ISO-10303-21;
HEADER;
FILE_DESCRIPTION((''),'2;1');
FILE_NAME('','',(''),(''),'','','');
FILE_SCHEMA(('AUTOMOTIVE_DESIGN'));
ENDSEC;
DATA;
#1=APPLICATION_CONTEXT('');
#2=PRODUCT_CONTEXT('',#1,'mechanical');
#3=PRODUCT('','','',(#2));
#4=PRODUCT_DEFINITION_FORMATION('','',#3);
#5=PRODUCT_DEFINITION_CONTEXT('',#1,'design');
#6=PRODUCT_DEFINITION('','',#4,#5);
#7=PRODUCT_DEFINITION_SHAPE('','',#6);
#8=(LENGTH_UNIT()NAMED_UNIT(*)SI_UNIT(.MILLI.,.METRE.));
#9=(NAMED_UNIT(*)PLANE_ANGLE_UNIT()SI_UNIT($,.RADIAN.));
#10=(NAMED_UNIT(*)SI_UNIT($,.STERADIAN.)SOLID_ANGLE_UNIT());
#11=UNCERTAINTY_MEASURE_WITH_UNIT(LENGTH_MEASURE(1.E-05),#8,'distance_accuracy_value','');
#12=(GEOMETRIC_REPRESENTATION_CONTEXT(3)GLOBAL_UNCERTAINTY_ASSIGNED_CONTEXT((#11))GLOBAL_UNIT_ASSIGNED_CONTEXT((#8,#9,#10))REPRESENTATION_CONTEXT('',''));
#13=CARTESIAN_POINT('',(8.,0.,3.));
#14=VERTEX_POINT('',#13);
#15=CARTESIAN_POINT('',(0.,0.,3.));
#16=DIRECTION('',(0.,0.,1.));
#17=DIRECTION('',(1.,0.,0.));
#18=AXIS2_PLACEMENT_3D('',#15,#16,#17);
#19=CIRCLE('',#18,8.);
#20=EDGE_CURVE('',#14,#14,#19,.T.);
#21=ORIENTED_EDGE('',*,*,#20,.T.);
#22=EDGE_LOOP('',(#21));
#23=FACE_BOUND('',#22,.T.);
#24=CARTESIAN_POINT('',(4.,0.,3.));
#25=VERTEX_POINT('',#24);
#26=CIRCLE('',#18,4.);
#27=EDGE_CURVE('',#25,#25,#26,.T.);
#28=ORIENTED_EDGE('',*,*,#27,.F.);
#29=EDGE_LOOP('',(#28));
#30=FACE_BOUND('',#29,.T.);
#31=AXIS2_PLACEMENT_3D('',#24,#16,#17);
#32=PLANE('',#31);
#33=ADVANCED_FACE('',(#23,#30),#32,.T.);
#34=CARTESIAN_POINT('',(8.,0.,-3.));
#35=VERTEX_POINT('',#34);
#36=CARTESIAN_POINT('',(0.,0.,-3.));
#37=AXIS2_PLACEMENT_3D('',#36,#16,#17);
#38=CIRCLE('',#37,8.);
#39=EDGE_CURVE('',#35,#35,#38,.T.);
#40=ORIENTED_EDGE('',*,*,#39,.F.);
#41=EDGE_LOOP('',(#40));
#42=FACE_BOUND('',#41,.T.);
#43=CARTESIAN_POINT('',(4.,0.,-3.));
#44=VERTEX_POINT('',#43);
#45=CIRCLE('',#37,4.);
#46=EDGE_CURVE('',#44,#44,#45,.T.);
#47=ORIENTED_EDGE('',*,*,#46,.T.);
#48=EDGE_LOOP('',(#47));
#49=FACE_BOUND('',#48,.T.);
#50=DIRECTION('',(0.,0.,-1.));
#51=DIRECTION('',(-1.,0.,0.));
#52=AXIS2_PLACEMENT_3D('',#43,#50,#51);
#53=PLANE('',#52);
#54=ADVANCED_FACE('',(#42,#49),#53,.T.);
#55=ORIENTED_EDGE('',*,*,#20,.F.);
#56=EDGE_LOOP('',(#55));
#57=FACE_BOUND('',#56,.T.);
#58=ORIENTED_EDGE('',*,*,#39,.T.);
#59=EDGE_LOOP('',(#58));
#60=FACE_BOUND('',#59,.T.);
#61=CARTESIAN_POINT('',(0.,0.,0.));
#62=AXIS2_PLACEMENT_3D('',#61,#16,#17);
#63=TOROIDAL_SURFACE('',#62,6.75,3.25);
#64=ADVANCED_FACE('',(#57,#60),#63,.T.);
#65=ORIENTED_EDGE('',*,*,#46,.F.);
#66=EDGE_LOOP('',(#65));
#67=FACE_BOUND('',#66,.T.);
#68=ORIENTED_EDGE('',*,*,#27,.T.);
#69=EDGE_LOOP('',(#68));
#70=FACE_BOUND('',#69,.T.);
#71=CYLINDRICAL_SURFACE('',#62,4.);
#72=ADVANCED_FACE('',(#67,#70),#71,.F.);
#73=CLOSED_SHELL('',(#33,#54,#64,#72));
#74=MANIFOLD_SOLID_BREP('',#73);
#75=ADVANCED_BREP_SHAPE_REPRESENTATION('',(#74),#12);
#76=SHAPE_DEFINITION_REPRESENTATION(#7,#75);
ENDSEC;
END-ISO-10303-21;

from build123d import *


with BuildPart() as part:
    # 草图1 → 旋转1 (revolve)
    with BuildSketch(Plane(origin=(0, 0, 0), x_dir=(1, 0, 0), z_dir=(0, 1, 0))):
        with BuildLine():
            Line((4, 3), (8, 3))
            ThreePointArc((8, 3), (10, 0), (8, -3))
            Line((8, -3), (4, -3))
            Line((4, -3), (4, 3))
        make_face()
    revolve(axis=Axis((0, 0, 0), (0, 0, -1)))


solid = part.part
